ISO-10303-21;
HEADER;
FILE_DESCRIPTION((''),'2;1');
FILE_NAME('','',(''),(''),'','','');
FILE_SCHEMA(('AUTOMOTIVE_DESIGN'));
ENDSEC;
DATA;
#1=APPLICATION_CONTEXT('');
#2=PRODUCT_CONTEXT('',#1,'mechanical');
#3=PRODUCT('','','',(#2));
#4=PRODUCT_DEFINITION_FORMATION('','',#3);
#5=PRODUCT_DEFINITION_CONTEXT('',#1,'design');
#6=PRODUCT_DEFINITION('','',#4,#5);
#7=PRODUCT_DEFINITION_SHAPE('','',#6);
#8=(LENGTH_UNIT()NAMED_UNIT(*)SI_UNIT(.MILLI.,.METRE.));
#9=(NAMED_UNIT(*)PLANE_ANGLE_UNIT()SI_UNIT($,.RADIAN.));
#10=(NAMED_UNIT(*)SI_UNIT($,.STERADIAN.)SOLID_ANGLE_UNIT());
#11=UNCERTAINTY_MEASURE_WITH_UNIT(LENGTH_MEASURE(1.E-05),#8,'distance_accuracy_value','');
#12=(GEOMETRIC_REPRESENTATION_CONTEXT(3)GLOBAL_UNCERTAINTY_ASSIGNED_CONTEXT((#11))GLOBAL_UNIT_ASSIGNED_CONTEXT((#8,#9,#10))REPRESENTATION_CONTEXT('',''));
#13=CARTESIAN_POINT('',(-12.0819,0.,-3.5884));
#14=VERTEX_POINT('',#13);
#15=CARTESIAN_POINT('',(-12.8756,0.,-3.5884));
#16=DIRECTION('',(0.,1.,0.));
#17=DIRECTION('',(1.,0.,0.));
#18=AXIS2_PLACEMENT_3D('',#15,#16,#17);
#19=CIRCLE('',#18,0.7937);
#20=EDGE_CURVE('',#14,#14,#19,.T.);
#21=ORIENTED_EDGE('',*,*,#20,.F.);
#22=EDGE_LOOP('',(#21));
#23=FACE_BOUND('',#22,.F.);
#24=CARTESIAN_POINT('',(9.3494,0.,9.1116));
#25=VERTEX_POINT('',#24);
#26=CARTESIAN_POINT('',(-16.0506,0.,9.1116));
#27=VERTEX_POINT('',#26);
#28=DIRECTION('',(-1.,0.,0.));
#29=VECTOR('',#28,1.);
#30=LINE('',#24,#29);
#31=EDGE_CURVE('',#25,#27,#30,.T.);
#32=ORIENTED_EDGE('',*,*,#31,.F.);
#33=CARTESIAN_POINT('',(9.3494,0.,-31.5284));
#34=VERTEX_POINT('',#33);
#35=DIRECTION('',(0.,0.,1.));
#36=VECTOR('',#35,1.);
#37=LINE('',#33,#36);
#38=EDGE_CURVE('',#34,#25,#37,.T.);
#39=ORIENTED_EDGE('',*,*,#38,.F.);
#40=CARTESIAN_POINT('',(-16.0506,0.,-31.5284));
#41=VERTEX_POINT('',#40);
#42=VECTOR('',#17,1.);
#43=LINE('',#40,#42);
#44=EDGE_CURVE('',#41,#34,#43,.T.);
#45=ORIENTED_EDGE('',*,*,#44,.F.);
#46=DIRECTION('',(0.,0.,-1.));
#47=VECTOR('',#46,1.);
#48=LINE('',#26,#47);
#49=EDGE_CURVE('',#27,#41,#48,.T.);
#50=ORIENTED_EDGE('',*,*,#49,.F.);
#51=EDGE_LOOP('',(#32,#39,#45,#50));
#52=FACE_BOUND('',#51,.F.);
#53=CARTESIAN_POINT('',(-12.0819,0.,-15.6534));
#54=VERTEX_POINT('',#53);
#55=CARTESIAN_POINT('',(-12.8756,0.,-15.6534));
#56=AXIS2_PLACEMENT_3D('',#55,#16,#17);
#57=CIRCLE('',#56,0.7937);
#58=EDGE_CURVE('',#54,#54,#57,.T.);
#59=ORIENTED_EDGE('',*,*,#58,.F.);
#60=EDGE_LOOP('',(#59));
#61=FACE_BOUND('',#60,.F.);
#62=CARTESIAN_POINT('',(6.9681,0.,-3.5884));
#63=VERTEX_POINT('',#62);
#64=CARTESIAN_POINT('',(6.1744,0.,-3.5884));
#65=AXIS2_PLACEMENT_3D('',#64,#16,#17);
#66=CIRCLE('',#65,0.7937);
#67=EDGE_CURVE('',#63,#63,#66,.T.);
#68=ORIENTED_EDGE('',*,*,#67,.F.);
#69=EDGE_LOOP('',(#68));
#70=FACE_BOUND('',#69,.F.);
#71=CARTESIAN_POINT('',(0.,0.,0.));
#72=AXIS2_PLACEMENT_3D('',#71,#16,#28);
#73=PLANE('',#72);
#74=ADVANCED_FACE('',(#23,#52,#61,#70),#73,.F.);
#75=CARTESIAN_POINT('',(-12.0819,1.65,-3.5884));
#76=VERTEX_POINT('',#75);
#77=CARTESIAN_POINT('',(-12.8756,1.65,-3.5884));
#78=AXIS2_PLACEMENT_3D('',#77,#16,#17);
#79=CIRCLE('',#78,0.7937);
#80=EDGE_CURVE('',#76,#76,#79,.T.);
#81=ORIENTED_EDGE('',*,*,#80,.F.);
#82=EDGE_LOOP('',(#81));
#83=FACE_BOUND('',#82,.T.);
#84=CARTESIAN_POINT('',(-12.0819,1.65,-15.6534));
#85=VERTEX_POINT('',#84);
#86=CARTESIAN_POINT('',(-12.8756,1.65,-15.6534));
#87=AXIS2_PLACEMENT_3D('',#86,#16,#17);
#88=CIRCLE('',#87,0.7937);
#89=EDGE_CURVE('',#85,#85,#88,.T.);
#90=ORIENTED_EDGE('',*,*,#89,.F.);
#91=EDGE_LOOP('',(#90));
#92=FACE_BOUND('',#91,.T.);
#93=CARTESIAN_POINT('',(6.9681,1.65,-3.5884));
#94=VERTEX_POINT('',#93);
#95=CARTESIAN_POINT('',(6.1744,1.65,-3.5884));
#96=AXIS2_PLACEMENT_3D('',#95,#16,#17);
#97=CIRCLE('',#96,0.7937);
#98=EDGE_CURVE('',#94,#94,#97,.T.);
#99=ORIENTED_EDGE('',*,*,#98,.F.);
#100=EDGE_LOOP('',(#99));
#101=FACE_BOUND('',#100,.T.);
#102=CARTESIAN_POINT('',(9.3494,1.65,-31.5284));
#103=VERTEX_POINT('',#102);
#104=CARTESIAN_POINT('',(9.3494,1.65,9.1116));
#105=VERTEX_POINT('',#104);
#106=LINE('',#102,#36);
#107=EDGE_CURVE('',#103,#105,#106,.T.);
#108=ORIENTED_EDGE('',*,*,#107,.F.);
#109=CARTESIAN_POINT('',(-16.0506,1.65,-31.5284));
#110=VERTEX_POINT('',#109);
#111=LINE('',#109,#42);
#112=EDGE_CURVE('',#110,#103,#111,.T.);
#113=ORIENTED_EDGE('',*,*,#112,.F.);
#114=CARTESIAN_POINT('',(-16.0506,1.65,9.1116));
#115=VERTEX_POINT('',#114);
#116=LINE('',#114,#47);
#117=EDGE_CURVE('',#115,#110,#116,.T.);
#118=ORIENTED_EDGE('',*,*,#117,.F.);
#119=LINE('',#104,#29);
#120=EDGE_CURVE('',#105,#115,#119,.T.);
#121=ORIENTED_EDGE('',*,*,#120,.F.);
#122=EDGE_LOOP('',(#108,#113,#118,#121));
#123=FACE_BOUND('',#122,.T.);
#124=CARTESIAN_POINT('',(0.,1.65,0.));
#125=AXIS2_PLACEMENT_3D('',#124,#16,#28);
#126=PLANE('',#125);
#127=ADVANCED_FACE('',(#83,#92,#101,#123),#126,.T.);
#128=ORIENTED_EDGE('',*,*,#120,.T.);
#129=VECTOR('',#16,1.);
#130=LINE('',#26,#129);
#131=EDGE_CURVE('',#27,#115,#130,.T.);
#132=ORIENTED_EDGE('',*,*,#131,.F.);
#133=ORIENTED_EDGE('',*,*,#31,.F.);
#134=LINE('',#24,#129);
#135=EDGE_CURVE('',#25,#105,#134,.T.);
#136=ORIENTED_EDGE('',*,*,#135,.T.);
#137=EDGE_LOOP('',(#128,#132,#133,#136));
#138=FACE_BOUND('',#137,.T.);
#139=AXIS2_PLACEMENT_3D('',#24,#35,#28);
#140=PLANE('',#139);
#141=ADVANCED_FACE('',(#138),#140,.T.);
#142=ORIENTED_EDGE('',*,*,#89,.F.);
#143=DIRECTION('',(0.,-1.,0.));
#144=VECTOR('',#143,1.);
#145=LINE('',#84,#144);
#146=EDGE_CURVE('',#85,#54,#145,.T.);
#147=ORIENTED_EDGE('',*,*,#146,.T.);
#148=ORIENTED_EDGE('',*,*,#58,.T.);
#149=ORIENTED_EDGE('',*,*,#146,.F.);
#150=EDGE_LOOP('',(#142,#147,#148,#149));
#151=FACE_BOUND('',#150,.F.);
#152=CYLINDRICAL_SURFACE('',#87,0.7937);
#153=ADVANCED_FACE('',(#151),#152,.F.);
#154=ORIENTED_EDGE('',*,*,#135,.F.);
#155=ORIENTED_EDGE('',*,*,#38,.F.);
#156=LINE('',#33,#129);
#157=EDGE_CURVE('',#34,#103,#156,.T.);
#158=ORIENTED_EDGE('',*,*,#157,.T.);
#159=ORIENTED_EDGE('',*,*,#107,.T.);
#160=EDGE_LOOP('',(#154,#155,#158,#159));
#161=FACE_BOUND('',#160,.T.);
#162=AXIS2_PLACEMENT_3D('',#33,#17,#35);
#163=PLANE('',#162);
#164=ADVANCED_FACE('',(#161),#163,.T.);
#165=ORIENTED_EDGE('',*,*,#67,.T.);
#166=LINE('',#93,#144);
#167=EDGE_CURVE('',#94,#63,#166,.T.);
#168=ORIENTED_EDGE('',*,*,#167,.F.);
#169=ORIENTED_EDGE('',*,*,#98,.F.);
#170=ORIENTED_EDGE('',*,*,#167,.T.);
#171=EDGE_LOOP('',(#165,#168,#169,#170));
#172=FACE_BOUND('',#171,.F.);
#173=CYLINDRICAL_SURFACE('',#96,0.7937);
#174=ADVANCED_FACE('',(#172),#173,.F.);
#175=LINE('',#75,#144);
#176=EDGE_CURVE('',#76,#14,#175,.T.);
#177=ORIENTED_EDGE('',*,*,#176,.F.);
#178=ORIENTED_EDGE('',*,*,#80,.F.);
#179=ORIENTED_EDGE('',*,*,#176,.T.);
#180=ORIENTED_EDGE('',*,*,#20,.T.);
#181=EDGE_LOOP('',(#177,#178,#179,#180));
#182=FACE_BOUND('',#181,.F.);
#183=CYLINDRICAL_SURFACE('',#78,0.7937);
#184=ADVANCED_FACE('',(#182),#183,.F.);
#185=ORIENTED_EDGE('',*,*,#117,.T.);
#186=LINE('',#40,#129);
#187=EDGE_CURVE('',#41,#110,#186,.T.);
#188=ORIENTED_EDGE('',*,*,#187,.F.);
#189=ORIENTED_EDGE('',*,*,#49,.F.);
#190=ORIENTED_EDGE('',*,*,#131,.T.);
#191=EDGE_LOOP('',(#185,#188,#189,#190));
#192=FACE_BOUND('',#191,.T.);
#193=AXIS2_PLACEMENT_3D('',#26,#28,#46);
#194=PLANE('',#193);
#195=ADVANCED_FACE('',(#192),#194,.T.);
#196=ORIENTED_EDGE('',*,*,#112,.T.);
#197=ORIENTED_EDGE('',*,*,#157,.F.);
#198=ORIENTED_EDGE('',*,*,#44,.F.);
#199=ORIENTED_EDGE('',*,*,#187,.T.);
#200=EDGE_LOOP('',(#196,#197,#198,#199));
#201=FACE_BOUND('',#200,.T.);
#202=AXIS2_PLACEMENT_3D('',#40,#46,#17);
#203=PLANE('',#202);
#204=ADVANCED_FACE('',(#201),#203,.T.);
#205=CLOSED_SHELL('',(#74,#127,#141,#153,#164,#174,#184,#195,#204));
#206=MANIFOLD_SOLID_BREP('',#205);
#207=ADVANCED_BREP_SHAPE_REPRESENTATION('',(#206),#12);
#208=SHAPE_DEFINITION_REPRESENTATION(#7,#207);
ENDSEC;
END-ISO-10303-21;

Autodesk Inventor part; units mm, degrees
ref_plane "YZ Plane" through (0, 0, 0) normal (1, 0, 0) x (0, 1, 0)
ref_plane "XZ Plane" through (0, 0, 0) normal (0, 1, 0) x (-1, 0, 0)
ref_plane "XY Plane" through (0, 0, 0) normal (0, 0, 1) x (1, 0, 0)
sketch "Sketch1" plane through (0, 0, 0) normal (0, 1, 0) x (-1, 0, 0)
  line L0 (-9.3494, 9.1116) -> (16.0506, 9.1116)
  line L1 (16.0506, 9.1116) -> (16.0506, -31.5284)
  line L2 (16.0506, -31.5284) -> (-9.3494, -31.5284)
  line L3 (-9.3494, -31.5284) -> (-9.3494, 9.1116)
  point P0 (0, 0)
  dimension "d0" = 25.4
  dimension "d1" = 40.64
extrude "Extrusion1" add sketch "Sketch1" along normal blind 1.65
sketch "Sketch2" plane through (0, 1.65, 0) normal (0, 1, 0) x (1, 0, 0)
  line L0 (-16.0506, -9.1116) -> (9.3494, -9.1116) projected
  line L1 (9.3494, -9.1116) -> (9.3494, 31.5284) projected
  line L2 (9.3494, 31.5284) -> (-16.0506, 31.5284) projected
  line L3 (-16.0506, 31.5284) -> (-16.0506, -9.1116) projected
  circle A0 centre (-12.8756, 15.6534) radius 0.7937
  circle A1 centre (-12.8756, 3.5884) radius 0.7937
  circle A2 centre (6.1744, 3.5884) radius 0.7937
  point P0 (0, 0)
  dimension "d4" = 1.5875
  dimension "d5" = 1.5875
  dimension "d6" = 1.5875
  dimension "d7" = 3.175
  dimension "d8" = 3.175
  dimension "d9" = 3.175
  dimension "d10" = 12.7
  dimension "d11" = 12.7
  dimension "d12" = 15.875
extrude "Extrusion2" cut sketch "Sketch2" against normal up to next contours A0 | A1 | A2
properties part number "InjectorBoard2"
